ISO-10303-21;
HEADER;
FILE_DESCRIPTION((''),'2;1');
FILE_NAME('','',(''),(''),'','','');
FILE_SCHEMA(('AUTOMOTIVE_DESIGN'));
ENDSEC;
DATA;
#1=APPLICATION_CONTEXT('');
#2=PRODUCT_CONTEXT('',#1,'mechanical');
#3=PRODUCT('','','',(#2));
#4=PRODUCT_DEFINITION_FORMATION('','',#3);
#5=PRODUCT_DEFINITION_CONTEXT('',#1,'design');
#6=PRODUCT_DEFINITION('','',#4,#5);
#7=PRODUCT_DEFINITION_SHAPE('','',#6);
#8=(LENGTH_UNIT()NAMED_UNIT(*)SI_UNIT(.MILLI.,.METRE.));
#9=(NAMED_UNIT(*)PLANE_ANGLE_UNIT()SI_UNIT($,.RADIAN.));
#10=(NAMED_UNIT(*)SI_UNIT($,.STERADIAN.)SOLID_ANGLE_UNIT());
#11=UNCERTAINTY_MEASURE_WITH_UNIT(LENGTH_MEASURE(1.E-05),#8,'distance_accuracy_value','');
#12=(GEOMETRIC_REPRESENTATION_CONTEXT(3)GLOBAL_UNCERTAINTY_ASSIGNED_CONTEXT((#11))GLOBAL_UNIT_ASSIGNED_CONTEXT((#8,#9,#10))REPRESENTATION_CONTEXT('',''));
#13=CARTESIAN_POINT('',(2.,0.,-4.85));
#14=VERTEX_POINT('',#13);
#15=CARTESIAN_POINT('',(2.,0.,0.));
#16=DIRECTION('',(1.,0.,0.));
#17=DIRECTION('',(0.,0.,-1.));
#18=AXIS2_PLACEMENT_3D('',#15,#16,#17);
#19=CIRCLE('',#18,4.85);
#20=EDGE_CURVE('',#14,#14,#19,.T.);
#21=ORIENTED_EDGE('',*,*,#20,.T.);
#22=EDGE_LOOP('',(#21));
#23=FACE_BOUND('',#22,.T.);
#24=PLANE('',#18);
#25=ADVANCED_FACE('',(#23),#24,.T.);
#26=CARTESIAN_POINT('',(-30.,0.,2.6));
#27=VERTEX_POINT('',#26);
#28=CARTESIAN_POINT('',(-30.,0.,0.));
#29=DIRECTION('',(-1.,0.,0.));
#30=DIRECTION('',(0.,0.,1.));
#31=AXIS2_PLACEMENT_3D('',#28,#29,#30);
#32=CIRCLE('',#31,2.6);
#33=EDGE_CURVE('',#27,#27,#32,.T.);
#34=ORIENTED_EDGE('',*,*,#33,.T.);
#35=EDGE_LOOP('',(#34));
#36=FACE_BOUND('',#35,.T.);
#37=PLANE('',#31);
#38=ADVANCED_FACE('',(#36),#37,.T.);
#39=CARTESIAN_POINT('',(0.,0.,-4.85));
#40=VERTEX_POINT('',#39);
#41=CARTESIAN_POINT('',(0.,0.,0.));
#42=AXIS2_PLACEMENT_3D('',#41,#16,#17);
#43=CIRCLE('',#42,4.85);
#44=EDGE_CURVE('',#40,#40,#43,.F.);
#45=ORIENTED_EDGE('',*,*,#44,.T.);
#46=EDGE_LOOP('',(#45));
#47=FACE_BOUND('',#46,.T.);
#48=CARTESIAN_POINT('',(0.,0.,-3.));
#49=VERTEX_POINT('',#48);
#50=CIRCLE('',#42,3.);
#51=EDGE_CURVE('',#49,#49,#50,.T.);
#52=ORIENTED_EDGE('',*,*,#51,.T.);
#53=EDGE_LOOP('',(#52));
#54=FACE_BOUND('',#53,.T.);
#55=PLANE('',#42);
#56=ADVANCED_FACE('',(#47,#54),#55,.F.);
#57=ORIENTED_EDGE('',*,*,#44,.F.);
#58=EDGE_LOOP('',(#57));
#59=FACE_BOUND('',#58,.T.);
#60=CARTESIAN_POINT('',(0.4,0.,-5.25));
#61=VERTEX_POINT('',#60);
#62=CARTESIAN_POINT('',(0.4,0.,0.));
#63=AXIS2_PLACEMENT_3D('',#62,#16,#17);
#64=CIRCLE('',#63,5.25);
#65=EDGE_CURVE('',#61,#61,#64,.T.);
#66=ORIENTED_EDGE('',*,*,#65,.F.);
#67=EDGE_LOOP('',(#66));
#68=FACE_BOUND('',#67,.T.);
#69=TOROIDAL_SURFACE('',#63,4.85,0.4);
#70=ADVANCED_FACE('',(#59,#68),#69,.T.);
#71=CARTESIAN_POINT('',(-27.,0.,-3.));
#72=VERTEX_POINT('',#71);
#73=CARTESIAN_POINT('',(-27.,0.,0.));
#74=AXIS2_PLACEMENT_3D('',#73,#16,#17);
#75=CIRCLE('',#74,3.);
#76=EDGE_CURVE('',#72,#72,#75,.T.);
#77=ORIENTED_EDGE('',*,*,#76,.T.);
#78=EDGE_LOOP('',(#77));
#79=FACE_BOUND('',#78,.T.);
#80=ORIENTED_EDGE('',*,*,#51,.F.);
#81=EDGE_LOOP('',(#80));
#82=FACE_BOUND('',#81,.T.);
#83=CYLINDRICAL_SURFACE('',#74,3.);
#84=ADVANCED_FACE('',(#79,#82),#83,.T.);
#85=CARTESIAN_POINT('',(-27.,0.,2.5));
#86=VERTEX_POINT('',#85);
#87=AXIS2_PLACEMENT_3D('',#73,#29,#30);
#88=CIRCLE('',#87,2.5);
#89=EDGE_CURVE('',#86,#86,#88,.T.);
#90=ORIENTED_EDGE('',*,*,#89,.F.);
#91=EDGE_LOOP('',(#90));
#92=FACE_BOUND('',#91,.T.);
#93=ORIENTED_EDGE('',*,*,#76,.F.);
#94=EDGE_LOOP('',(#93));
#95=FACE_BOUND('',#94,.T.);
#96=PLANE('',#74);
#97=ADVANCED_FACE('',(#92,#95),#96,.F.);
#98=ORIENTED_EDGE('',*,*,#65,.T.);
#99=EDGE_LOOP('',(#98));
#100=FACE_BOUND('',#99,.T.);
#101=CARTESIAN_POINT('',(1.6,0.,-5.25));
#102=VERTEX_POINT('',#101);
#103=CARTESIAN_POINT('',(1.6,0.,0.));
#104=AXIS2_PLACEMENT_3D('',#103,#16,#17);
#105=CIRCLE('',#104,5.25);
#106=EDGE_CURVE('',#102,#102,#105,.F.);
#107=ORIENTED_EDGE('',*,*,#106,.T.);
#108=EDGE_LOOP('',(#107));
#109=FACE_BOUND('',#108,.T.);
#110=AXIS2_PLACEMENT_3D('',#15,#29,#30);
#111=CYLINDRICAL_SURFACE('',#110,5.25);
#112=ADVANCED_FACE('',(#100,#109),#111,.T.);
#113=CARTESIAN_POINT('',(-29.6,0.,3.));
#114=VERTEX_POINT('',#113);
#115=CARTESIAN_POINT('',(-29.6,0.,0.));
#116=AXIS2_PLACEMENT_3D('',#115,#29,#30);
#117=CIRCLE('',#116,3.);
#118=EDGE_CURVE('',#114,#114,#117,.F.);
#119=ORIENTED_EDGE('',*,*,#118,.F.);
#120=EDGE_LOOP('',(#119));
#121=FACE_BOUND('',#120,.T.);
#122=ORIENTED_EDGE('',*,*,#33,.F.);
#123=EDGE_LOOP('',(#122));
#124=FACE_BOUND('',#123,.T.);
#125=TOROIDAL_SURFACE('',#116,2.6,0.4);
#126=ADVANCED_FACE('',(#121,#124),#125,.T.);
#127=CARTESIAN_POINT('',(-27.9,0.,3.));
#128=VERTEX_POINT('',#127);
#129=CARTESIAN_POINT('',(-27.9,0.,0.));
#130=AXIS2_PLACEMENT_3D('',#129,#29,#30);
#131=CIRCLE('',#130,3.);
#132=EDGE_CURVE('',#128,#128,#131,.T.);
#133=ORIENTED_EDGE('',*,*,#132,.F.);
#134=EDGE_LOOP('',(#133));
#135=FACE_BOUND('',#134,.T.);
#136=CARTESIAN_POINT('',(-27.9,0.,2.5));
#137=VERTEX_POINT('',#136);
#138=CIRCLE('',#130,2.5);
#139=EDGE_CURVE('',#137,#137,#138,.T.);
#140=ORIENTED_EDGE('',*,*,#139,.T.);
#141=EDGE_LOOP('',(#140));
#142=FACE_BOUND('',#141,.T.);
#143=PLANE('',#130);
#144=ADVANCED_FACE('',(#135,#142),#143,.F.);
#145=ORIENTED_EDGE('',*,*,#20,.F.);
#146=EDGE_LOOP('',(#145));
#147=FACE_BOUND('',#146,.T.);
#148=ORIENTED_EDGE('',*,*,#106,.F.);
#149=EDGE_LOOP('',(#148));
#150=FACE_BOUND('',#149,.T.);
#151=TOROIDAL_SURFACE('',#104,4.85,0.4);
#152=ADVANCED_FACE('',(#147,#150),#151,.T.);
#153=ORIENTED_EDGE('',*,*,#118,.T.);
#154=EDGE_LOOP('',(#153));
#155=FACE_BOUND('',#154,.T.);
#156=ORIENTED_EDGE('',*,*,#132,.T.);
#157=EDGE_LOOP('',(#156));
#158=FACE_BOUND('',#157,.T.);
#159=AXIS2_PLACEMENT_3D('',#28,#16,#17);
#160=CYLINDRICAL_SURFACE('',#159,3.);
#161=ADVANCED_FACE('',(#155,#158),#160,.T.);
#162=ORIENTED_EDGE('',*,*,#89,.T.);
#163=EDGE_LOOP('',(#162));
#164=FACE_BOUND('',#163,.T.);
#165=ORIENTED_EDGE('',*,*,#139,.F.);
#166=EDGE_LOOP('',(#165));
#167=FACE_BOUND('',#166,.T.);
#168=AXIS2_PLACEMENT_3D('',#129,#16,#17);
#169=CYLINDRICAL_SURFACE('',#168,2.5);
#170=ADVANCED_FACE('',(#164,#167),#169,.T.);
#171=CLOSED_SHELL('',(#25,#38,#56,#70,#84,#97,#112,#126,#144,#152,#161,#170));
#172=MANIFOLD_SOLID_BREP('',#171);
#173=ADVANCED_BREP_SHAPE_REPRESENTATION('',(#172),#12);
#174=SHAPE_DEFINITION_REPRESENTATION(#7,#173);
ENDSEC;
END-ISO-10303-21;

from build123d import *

# Parameters (mm, degrees)
SKETCH_1_R      = 5.25
EXTRUDE_1_DEPTH = 2
SKETCH_1_4_R    = 3
EXTRUDE_2_DEPTH = 27
FILLET_1_R      = 0.4
SKETCH_2_R      = 2.5
EXTRUDE_3_DEPTH = 0.9
SKETCH_3_R      = 3
EXTRUDE_4_DEPTH = 2.1
FILLET_2_R      = 0.4


with BuildPart() as part:
    # 草图1 → 凸台-拉伸1 (new body)
    with BuildSketch(Plane(origin=(0, 0, 0), x_dir=(0, 0, -1), z_dir=(1, 0, 0))):
        Circle(SKETCH_1_R)
    extrude(amount=EXTRUDE_1_DEPTH)

    # 草图1<4> → 凸台-拉伸2 (add)
    with BuildSketch(Plane(origin=(0, 0, 0), x_dir=(0, 0, -1), z_dir=(1, 0, 0))):
        Circle(SKETCH_1_4_R)
    extrude(amount=-EXTRUDE_2_DEPTH)

    # 圆角1
    fillet_1_edges = [part.edges().sort_by_distance(p)[0] for p in [
        (2, 0, 5.25),
        (0, 0, 5.25),
    ]]
    fillet(fillet_1_edges, radius=FILLET_1_R)

    # 草图2 → 凸台-拉伸3 (add)
    with BuildSketch(Plane.ZY.offset(27)):
        Circle(SKETCH_2_R)
    extrude(amount=EXTRUDE_3_DEPTH)

    # 草图3 → 凸台-拉伸4 (add)
    with BuildSketch(Plane.ZY.offset(27.9)):
        Circle(SKETCH_3_R)
    extrude(amount=EXTRUDE_4_DEPTH)

    # 圆角2
    fillet_2_edges = [part.edges().sort_by_distance(p)[0] for p in [
        (-30, 0, -3),
    ]]
    fillet(fillet_2_edges, radius=FILLET_2_R)


solid = part.part
